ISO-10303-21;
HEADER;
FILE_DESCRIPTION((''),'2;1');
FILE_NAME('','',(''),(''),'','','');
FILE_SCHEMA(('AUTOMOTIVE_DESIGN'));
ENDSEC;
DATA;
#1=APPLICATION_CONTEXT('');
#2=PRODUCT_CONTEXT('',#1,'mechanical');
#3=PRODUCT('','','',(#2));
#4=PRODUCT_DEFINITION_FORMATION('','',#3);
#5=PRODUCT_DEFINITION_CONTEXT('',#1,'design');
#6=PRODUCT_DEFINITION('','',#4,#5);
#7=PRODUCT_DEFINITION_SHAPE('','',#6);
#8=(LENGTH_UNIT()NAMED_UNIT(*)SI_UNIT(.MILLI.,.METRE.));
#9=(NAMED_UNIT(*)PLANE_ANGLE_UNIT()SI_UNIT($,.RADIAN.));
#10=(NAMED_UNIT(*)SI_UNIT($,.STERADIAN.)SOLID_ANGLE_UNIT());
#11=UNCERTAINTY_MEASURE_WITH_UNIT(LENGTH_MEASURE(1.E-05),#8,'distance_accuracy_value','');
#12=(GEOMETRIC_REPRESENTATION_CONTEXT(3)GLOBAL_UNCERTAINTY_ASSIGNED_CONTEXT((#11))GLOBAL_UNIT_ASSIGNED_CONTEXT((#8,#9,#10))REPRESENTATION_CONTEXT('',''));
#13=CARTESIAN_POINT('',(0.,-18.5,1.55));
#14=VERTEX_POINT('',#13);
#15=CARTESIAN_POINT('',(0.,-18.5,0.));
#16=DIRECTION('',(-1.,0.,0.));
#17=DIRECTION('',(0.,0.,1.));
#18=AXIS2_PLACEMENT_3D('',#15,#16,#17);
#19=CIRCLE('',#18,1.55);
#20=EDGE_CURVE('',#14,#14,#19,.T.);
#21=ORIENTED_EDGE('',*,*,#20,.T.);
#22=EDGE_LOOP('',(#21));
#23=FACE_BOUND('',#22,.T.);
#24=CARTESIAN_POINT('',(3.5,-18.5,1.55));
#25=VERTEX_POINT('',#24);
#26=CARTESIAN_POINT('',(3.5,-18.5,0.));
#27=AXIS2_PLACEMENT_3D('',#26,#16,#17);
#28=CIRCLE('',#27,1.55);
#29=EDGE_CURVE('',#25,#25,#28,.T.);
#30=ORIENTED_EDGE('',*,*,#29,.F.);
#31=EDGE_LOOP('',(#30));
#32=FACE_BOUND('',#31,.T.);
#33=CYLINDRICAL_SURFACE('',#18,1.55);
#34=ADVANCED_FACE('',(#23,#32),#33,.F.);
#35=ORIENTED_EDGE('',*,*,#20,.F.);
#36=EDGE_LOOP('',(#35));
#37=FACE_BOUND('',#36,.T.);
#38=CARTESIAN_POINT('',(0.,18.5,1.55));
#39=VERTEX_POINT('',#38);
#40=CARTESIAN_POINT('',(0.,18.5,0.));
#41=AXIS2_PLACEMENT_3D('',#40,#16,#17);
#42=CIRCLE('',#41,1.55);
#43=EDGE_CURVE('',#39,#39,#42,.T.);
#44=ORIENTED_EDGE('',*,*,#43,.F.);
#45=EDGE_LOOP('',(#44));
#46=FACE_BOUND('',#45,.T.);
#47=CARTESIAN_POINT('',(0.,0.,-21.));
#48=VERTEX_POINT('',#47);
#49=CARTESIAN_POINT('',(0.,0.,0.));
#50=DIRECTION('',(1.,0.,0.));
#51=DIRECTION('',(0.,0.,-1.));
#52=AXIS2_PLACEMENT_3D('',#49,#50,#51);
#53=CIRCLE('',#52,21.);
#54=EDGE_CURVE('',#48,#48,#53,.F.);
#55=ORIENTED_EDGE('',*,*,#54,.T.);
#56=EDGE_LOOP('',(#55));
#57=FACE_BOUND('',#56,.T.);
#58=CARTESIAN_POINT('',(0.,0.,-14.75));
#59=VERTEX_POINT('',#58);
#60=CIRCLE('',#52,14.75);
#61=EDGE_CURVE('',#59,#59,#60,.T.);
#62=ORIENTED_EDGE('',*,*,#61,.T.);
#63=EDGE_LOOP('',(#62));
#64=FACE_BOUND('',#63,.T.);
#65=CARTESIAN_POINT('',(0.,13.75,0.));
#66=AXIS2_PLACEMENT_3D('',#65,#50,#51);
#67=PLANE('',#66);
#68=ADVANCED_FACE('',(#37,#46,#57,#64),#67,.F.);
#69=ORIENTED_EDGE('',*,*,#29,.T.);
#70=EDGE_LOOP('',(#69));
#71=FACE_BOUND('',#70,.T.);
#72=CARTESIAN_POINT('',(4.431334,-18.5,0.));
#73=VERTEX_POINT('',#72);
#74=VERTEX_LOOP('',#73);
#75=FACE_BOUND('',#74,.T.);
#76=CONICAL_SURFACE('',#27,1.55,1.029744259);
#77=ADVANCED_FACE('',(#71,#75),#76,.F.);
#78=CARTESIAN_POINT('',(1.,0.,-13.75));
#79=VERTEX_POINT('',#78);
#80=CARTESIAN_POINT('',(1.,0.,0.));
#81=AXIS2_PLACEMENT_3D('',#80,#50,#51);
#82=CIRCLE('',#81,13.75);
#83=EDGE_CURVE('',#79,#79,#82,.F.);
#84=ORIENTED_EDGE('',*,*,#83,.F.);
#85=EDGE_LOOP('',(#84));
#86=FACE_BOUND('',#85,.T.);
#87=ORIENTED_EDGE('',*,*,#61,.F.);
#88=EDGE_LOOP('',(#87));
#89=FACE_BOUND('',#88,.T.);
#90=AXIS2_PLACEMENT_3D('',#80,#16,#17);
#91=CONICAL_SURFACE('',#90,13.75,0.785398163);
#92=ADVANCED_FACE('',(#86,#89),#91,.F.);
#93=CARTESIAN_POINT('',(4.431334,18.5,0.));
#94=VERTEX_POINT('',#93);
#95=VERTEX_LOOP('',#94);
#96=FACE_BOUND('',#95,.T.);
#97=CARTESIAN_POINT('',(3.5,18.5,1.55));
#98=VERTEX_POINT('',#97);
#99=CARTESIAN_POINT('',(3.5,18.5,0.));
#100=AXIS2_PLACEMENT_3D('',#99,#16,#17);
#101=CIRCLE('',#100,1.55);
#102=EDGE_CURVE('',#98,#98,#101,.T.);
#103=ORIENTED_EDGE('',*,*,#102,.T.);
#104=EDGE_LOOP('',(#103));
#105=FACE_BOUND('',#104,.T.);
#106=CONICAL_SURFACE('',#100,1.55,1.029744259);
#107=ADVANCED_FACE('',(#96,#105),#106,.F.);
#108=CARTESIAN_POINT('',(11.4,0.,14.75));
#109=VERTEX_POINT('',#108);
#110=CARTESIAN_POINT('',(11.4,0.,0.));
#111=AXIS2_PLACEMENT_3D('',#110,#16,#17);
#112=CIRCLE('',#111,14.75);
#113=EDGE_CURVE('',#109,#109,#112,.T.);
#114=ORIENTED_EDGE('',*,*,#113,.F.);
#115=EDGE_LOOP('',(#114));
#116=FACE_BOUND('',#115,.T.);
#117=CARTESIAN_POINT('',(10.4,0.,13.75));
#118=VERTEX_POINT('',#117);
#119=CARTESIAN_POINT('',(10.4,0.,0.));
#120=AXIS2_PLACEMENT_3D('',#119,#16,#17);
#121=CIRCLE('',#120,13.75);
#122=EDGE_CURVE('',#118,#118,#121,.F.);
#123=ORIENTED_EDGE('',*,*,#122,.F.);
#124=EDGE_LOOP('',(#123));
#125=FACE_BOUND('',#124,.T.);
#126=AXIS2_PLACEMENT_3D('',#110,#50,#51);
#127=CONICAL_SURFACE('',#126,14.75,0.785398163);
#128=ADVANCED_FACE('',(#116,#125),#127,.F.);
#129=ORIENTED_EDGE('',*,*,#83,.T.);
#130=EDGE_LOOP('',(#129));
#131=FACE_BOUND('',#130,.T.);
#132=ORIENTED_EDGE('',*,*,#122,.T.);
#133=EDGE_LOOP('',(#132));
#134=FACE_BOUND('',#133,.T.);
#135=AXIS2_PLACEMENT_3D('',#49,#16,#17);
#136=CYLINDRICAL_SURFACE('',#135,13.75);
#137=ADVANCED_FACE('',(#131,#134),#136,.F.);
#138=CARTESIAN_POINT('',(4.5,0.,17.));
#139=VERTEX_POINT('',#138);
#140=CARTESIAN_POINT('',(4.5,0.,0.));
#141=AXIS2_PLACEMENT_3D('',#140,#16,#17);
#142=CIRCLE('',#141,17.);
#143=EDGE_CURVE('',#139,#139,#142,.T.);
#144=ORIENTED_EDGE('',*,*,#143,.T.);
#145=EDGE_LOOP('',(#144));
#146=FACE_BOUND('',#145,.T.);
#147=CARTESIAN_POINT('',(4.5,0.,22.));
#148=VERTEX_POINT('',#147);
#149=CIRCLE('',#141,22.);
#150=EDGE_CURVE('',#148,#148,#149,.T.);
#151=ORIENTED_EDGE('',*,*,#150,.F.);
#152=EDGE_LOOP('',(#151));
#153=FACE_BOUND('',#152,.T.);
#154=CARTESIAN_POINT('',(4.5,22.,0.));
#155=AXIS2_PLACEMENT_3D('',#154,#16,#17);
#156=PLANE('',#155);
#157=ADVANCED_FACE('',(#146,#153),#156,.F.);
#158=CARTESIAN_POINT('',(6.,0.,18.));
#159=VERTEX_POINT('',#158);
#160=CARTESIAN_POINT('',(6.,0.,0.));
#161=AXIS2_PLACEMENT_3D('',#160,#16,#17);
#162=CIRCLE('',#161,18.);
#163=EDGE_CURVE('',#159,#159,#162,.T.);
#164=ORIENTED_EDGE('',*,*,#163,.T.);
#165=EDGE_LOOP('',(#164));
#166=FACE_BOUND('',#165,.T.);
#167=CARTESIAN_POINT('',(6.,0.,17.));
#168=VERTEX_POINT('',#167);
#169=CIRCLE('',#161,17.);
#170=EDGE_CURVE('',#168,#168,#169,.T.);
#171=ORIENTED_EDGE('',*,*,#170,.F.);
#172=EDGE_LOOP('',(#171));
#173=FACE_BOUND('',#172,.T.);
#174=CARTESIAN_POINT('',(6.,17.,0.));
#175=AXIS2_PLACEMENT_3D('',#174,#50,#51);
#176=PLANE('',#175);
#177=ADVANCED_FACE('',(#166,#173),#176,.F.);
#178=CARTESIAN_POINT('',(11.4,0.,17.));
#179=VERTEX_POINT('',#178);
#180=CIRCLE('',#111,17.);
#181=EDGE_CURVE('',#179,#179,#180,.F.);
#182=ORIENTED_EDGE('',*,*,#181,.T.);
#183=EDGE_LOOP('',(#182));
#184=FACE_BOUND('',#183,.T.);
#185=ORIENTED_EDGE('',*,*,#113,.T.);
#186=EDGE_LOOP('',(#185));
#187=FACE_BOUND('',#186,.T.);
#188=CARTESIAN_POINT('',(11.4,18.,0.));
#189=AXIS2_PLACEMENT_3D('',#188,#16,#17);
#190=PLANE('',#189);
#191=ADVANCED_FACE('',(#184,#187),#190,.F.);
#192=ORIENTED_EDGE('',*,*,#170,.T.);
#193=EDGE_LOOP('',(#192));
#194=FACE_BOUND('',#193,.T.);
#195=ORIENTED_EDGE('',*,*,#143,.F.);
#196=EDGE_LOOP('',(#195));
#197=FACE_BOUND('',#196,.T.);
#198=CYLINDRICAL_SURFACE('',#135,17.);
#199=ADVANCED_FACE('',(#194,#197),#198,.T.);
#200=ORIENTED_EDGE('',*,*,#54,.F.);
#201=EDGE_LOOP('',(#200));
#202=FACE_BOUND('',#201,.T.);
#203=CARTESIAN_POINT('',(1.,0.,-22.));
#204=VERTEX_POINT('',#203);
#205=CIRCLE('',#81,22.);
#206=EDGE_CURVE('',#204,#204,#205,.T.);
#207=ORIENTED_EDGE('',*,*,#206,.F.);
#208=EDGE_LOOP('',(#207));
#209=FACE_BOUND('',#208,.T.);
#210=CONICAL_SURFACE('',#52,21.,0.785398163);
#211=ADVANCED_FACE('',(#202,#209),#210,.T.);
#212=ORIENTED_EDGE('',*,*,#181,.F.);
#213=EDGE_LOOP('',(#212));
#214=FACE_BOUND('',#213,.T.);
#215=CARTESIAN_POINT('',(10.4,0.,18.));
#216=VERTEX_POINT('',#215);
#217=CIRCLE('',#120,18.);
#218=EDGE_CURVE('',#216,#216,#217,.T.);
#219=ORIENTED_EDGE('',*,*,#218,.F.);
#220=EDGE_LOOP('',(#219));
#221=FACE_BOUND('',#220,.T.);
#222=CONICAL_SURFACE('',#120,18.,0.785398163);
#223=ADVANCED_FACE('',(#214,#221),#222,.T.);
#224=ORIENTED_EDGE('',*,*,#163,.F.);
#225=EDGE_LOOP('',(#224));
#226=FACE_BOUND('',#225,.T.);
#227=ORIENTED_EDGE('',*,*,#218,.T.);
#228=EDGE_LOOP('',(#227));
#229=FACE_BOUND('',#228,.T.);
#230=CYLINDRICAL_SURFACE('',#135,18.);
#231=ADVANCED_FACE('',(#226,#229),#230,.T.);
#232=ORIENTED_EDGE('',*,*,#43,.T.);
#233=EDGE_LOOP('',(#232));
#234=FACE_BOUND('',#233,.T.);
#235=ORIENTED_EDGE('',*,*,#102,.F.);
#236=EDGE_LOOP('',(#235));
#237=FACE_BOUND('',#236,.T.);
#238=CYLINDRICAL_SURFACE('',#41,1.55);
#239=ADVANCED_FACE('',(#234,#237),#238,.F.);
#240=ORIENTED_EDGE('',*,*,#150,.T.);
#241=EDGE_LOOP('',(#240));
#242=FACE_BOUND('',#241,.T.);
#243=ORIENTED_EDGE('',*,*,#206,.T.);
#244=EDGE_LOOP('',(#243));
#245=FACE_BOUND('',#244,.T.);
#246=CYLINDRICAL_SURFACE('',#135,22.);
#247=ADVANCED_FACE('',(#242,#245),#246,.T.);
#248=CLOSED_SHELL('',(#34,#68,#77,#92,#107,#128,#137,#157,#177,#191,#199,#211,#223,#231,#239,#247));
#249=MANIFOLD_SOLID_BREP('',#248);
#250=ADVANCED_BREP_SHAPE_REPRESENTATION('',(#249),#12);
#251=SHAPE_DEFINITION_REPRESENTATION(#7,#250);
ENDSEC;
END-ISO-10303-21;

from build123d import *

# Parameters (mm, degrees)
CHANFREIN1_SIZE = 1


with BuildPart() as part:
    # Esquisse1 → Révolution1 (revolve)
    with BuildSketch(Plane.XY, mode=Mode.PRIVATE) as r_volution1_sk:
        Polygon((0, 13.75), (0, 22), (4.5, 22), (4.5, 17), (6, 17), (6, 18), (11.4, 18), (11.4, 13.75), align=None)
    revolve(r_volution1_sk.sketch.rotate(Axis((0, 0, 0), (1, 0, 0)), 90), axis=Axis((0, 0, 0), (1, 0, 0)))

    # Chanfrein1
    chanfrein1_edges = [part.edges().sort_by_distance(p)[0] for p in [
        (11.4, 0, -13.75),
        (11.4, 0, -18),
        (0, 0, -22),
        (0, 0, -13.75),
    ]]
    chamfer(chanfrein1_edges, length=CHANFREIN1_SIZE)

    # Esquisse3 → Diamètre du perçage Ø3.1 (3.1)1 (revolve, cut)
    with BuildSketch(Plane.ZX.offset(18.5)):
        Polygon((0, 0), (0, 4.431333959), (1.55, 3.5), (1.55, 0), align=None)
    diam_tre_du_per_age_3_1_3_1_1 = revolve(axis=Axis((-6.35, 18.5, 0), (1, 0, 0)), mode=Mode.SUBTRACT)

    # Symétrie1: Diamètre du perçage Ø3.1 (3.1)1 across plane
    add(diam_tre_du_per_age_3_1_3_1_1.mirror(Plane.ZX), mode=Mode.SUBTRACT)


solid = part.part
